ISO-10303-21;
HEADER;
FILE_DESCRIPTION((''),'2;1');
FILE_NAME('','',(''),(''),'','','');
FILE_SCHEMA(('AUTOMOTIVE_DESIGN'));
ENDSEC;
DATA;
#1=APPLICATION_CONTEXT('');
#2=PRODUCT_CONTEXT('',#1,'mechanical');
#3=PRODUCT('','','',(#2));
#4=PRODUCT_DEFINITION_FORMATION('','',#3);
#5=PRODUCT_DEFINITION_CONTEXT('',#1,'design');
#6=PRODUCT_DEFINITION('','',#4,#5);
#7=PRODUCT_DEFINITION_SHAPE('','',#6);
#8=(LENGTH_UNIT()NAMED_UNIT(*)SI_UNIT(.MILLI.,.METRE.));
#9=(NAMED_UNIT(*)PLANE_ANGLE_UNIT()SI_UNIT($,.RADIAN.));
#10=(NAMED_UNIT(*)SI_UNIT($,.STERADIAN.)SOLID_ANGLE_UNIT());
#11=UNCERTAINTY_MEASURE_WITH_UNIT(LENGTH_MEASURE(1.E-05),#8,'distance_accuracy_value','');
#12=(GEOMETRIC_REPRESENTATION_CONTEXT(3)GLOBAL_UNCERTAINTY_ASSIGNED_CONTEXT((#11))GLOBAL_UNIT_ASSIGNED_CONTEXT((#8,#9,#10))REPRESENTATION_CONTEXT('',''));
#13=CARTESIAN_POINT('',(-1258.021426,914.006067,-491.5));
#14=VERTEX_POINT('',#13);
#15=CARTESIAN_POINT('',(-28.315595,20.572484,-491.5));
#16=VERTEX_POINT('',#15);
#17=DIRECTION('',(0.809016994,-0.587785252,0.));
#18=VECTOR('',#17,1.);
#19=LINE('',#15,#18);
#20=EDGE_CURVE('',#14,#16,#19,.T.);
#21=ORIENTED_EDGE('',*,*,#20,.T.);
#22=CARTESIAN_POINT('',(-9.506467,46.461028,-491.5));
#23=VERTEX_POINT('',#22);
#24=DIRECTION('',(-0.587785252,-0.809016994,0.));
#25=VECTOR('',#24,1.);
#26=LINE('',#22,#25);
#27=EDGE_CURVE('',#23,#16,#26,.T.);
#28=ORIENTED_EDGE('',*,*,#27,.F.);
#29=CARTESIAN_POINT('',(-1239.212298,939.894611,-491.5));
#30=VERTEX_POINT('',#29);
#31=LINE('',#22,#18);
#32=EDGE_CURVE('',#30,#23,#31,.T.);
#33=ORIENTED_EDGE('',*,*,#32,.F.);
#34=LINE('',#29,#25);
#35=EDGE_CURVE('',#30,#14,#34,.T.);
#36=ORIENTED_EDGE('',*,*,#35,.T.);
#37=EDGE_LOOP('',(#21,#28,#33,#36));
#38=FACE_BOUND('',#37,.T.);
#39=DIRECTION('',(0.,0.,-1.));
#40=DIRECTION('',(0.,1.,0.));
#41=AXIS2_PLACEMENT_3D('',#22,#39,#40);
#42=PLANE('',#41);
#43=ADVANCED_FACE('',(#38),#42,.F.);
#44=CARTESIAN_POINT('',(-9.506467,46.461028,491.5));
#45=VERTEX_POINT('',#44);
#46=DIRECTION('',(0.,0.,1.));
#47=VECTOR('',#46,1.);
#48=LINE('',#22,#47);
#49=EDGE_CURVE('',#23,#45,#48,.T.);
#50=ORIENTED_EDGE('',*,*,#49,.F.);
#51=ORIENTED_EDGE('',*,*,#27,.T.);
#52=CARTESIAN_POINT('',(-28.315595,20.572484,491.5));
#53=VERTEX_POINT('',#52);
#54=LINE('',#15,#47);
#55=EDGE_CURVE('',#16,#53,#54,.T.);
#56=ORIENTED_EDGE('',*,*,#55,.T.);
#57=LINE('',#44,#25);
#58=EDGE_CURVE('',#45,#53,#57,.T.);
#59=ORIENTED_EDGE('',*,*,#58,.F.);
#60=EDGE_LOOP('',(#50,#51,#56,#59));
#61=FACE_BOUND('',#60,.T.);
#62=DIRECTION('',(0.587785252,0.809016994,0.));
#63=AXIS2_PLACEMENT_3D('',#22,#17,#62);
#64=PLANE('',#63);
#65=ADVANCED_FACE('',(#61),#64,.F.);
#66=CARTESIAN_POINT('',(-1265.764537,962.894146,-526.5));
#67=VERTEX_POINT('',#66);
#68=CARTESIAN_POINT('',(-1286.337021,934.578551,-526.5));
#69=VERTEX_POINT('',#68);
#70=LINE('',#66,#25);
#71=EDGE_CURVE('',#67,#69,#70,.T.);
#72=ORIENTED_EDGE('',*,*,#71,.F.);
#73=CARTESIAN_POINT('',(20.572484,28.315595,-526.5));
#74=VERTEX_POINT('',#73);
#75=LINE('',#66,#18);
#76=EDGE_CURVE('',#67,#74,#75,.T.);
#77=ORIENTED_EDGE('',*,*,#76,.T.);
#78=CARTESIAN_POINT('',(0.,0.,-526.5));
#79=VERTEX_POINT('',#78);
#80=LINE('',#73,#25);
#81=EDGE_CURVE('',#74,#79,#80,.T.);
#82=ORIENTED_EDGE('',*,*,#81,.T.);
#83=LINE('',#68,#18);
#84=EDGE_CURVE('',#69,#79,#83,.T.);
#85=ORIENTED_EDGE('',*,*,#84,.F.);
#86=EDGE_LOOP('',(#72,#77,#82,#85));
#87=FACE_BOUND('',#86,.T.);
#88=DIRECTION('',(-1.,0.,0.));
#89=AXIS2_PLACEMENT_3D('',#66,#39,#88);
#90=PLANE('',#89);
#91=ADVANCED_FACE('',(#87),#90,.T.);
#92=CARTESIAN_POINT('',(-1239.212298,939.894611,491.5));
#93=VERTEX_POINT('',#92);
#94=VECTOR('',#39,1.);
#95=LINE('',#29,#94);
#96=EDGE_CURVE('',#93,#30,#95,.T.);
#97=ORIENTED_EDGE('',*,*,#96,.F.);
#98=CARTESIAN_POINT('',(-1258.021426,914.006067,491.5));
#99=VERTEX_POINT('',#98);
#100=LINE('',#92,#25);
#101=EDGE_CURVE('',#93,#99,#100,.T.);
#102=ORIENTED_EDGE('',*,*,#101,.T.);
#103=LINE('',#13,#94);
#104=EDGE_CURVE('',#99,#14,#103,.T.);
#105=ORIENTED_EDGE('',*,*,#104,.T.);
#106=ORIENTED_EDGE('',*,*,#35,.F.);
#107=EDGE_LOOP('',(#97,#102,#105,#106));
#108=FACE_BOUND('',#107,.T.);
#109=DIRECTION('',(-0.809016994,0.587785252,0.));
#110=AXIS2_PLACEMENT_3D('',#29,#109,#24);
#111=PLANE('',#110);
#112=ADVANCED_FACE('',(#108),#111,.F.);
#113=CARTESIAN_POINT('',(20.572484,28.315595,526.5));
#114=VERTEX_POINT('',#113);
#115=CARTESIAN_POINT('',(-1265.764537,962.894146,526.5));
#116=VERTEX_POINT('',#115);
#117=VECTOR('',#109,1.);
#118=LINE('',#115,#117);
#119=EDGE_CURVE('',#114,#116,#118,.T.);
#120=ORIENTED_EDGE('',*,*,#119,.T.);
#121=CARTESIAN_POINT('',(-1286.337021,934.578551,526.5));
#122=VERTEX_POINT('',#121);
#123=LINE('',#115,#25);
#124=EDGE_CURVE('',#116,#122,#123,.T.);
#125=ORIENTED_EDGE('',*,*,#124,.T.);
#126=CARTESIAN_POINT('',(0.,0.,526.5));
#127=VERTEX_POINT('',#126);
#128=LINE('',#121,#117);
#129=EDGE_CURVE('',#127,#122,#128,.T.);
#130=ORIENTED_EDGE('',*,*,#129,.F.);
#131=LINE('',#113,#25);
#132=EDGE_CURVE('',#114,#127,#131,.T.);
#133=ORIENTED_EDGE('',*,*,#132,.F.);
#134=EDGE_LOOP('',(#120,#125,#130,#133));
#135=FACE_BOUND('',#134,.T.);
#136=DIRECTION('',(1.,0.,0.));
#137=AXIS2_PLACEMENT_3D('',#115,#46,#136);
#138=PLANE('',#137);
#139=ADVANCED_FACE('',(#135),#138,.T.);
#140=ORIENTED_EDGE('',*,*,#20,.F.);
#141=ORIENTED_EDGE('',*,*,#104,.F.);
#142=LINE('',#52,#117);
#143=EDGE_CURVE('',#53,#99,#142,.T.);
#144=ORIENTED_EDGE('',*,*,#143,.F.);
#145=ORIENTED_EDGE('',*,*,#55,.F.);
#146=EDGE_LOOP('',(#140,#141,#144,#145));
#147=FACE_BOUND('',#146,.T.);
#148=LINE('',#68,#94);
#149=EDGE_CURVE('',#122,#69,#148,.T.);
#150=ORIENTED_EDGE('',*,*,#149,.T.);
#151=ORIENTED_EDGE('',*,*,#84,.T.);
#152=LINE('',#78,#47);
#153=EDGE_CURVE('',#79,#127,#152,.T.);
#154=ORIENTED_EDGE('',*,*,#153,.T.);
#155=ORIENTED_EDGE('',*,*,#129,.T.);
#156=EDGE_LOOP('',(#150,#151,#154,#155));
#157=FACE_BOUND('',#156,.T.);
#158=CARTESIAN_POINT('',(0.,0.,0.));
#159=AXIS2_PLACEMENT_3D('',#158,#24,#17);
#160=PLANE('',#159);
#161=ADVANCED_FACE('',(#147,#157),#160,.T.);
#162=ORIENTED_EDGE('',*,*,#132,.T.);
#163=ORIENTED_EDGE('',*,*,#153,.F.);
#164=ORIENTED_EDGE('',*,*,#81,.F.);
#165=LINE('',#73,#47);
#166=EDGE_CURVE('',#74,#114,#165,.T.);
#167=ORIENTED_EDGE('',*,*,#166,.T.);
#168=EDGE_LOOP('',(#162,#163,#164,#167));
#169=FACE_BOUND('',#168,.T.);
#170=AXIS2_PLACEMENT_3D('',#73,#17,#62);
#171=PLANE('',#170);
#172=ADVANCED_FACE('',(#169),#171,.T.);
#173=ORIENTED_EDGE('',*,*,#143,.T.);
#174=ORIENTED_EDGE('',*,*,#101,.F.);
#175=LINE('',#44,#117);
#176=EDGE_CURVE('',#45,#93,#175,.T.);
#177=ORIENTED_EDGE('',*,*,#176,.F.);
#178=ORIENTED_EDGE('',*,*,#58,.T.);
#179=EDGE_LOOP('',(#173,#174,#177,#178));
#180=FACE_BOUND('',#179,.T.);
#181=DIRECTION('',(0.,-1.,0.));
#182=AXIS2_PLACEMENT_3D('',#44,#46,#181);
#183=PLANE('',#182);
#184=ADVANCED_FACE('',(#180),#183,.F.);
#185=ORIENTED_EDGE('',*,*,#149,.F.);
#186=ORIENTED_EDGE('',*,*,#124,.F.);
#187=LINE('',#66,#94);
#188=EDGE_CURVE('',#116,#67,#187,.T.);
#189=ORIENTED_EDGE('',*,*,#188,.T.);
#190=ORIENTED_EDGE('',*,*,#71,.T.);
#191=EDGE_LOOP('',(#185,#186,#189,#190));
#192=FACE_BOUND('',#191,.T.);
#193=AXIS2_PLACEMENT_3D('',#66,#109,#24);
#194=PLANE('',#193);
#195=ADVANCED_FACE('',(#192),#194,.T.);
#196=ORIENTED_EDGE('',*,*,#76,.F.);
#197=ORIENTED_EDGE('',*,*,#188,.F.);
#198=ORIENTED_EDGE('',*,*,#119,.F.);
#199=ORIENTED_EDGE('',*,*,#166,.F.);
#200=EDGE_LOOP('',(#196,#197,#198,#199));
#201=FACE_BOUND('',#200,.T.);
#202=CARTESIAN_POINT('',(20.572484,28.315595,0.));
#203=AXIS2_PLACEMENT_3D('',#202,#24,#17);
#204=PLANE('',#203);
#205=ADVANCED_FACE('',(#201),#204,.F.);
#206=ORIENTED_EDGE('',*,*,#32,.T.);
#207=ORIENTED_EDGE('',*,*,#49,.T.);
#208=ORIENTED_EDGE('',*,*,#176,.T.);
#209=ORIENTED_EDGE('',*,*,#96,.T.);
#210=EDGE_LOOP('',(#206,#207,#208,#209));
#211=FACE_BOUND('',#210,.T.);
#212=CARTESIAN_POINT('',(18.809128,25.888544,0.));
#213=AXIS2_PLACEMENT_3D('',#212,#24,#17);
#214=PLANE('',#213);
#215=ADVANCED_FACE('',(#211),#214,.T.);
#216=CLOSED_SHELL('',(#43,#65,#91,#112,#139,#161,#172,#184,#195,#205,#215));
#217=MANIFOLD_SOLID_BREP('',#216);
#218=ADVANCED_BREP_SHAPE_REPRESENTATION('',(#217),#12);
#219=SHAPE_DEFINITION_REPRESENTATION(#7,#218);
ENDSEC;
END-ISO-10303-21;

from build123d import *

# Parameters (mm, degrees)
SKETCH3_W           = 1053
SKETCH3_H           = 1590
BOSS_EXTRUDE1_DEPTH = 35
SKETCH5_W           = 1520
SKETCH5_H           = 983
CUT_EXTRUDE2_DEPTH  = 32


with BuildPart() as part:
    # Sketch3 → Boss-Extrude1 (new body)
    with BuildSketch(Plane(origin=(0, 0, 0), x_dir=(0, 0, 1), z_dir=(-0.587785252, -0.809016994, 0))):
        with Locations((0, 795)):
            Rectangle(SKETCH3_W, SKETCH3_H)
    extrude(amount=-BOSS_EXTRUDE1_DEPTH)

    # Sketch5 → Cut-Extrude2 (cut)
    with BuildSketch(Plane(origin=(0, 0, 0), x_dir=(0.809016994, -0.587785252, 0), z_dir=(-0.587785252, -0.809016994, 0))):
        with Locations((-795, 0)):
            Rectangle(SKETCH5_W, SKETCH5_H)
    extrude(amount=-CUT_EXTRUDE2_DEPTH, mode=Mode.SUBTRACT)


solid = part.part
